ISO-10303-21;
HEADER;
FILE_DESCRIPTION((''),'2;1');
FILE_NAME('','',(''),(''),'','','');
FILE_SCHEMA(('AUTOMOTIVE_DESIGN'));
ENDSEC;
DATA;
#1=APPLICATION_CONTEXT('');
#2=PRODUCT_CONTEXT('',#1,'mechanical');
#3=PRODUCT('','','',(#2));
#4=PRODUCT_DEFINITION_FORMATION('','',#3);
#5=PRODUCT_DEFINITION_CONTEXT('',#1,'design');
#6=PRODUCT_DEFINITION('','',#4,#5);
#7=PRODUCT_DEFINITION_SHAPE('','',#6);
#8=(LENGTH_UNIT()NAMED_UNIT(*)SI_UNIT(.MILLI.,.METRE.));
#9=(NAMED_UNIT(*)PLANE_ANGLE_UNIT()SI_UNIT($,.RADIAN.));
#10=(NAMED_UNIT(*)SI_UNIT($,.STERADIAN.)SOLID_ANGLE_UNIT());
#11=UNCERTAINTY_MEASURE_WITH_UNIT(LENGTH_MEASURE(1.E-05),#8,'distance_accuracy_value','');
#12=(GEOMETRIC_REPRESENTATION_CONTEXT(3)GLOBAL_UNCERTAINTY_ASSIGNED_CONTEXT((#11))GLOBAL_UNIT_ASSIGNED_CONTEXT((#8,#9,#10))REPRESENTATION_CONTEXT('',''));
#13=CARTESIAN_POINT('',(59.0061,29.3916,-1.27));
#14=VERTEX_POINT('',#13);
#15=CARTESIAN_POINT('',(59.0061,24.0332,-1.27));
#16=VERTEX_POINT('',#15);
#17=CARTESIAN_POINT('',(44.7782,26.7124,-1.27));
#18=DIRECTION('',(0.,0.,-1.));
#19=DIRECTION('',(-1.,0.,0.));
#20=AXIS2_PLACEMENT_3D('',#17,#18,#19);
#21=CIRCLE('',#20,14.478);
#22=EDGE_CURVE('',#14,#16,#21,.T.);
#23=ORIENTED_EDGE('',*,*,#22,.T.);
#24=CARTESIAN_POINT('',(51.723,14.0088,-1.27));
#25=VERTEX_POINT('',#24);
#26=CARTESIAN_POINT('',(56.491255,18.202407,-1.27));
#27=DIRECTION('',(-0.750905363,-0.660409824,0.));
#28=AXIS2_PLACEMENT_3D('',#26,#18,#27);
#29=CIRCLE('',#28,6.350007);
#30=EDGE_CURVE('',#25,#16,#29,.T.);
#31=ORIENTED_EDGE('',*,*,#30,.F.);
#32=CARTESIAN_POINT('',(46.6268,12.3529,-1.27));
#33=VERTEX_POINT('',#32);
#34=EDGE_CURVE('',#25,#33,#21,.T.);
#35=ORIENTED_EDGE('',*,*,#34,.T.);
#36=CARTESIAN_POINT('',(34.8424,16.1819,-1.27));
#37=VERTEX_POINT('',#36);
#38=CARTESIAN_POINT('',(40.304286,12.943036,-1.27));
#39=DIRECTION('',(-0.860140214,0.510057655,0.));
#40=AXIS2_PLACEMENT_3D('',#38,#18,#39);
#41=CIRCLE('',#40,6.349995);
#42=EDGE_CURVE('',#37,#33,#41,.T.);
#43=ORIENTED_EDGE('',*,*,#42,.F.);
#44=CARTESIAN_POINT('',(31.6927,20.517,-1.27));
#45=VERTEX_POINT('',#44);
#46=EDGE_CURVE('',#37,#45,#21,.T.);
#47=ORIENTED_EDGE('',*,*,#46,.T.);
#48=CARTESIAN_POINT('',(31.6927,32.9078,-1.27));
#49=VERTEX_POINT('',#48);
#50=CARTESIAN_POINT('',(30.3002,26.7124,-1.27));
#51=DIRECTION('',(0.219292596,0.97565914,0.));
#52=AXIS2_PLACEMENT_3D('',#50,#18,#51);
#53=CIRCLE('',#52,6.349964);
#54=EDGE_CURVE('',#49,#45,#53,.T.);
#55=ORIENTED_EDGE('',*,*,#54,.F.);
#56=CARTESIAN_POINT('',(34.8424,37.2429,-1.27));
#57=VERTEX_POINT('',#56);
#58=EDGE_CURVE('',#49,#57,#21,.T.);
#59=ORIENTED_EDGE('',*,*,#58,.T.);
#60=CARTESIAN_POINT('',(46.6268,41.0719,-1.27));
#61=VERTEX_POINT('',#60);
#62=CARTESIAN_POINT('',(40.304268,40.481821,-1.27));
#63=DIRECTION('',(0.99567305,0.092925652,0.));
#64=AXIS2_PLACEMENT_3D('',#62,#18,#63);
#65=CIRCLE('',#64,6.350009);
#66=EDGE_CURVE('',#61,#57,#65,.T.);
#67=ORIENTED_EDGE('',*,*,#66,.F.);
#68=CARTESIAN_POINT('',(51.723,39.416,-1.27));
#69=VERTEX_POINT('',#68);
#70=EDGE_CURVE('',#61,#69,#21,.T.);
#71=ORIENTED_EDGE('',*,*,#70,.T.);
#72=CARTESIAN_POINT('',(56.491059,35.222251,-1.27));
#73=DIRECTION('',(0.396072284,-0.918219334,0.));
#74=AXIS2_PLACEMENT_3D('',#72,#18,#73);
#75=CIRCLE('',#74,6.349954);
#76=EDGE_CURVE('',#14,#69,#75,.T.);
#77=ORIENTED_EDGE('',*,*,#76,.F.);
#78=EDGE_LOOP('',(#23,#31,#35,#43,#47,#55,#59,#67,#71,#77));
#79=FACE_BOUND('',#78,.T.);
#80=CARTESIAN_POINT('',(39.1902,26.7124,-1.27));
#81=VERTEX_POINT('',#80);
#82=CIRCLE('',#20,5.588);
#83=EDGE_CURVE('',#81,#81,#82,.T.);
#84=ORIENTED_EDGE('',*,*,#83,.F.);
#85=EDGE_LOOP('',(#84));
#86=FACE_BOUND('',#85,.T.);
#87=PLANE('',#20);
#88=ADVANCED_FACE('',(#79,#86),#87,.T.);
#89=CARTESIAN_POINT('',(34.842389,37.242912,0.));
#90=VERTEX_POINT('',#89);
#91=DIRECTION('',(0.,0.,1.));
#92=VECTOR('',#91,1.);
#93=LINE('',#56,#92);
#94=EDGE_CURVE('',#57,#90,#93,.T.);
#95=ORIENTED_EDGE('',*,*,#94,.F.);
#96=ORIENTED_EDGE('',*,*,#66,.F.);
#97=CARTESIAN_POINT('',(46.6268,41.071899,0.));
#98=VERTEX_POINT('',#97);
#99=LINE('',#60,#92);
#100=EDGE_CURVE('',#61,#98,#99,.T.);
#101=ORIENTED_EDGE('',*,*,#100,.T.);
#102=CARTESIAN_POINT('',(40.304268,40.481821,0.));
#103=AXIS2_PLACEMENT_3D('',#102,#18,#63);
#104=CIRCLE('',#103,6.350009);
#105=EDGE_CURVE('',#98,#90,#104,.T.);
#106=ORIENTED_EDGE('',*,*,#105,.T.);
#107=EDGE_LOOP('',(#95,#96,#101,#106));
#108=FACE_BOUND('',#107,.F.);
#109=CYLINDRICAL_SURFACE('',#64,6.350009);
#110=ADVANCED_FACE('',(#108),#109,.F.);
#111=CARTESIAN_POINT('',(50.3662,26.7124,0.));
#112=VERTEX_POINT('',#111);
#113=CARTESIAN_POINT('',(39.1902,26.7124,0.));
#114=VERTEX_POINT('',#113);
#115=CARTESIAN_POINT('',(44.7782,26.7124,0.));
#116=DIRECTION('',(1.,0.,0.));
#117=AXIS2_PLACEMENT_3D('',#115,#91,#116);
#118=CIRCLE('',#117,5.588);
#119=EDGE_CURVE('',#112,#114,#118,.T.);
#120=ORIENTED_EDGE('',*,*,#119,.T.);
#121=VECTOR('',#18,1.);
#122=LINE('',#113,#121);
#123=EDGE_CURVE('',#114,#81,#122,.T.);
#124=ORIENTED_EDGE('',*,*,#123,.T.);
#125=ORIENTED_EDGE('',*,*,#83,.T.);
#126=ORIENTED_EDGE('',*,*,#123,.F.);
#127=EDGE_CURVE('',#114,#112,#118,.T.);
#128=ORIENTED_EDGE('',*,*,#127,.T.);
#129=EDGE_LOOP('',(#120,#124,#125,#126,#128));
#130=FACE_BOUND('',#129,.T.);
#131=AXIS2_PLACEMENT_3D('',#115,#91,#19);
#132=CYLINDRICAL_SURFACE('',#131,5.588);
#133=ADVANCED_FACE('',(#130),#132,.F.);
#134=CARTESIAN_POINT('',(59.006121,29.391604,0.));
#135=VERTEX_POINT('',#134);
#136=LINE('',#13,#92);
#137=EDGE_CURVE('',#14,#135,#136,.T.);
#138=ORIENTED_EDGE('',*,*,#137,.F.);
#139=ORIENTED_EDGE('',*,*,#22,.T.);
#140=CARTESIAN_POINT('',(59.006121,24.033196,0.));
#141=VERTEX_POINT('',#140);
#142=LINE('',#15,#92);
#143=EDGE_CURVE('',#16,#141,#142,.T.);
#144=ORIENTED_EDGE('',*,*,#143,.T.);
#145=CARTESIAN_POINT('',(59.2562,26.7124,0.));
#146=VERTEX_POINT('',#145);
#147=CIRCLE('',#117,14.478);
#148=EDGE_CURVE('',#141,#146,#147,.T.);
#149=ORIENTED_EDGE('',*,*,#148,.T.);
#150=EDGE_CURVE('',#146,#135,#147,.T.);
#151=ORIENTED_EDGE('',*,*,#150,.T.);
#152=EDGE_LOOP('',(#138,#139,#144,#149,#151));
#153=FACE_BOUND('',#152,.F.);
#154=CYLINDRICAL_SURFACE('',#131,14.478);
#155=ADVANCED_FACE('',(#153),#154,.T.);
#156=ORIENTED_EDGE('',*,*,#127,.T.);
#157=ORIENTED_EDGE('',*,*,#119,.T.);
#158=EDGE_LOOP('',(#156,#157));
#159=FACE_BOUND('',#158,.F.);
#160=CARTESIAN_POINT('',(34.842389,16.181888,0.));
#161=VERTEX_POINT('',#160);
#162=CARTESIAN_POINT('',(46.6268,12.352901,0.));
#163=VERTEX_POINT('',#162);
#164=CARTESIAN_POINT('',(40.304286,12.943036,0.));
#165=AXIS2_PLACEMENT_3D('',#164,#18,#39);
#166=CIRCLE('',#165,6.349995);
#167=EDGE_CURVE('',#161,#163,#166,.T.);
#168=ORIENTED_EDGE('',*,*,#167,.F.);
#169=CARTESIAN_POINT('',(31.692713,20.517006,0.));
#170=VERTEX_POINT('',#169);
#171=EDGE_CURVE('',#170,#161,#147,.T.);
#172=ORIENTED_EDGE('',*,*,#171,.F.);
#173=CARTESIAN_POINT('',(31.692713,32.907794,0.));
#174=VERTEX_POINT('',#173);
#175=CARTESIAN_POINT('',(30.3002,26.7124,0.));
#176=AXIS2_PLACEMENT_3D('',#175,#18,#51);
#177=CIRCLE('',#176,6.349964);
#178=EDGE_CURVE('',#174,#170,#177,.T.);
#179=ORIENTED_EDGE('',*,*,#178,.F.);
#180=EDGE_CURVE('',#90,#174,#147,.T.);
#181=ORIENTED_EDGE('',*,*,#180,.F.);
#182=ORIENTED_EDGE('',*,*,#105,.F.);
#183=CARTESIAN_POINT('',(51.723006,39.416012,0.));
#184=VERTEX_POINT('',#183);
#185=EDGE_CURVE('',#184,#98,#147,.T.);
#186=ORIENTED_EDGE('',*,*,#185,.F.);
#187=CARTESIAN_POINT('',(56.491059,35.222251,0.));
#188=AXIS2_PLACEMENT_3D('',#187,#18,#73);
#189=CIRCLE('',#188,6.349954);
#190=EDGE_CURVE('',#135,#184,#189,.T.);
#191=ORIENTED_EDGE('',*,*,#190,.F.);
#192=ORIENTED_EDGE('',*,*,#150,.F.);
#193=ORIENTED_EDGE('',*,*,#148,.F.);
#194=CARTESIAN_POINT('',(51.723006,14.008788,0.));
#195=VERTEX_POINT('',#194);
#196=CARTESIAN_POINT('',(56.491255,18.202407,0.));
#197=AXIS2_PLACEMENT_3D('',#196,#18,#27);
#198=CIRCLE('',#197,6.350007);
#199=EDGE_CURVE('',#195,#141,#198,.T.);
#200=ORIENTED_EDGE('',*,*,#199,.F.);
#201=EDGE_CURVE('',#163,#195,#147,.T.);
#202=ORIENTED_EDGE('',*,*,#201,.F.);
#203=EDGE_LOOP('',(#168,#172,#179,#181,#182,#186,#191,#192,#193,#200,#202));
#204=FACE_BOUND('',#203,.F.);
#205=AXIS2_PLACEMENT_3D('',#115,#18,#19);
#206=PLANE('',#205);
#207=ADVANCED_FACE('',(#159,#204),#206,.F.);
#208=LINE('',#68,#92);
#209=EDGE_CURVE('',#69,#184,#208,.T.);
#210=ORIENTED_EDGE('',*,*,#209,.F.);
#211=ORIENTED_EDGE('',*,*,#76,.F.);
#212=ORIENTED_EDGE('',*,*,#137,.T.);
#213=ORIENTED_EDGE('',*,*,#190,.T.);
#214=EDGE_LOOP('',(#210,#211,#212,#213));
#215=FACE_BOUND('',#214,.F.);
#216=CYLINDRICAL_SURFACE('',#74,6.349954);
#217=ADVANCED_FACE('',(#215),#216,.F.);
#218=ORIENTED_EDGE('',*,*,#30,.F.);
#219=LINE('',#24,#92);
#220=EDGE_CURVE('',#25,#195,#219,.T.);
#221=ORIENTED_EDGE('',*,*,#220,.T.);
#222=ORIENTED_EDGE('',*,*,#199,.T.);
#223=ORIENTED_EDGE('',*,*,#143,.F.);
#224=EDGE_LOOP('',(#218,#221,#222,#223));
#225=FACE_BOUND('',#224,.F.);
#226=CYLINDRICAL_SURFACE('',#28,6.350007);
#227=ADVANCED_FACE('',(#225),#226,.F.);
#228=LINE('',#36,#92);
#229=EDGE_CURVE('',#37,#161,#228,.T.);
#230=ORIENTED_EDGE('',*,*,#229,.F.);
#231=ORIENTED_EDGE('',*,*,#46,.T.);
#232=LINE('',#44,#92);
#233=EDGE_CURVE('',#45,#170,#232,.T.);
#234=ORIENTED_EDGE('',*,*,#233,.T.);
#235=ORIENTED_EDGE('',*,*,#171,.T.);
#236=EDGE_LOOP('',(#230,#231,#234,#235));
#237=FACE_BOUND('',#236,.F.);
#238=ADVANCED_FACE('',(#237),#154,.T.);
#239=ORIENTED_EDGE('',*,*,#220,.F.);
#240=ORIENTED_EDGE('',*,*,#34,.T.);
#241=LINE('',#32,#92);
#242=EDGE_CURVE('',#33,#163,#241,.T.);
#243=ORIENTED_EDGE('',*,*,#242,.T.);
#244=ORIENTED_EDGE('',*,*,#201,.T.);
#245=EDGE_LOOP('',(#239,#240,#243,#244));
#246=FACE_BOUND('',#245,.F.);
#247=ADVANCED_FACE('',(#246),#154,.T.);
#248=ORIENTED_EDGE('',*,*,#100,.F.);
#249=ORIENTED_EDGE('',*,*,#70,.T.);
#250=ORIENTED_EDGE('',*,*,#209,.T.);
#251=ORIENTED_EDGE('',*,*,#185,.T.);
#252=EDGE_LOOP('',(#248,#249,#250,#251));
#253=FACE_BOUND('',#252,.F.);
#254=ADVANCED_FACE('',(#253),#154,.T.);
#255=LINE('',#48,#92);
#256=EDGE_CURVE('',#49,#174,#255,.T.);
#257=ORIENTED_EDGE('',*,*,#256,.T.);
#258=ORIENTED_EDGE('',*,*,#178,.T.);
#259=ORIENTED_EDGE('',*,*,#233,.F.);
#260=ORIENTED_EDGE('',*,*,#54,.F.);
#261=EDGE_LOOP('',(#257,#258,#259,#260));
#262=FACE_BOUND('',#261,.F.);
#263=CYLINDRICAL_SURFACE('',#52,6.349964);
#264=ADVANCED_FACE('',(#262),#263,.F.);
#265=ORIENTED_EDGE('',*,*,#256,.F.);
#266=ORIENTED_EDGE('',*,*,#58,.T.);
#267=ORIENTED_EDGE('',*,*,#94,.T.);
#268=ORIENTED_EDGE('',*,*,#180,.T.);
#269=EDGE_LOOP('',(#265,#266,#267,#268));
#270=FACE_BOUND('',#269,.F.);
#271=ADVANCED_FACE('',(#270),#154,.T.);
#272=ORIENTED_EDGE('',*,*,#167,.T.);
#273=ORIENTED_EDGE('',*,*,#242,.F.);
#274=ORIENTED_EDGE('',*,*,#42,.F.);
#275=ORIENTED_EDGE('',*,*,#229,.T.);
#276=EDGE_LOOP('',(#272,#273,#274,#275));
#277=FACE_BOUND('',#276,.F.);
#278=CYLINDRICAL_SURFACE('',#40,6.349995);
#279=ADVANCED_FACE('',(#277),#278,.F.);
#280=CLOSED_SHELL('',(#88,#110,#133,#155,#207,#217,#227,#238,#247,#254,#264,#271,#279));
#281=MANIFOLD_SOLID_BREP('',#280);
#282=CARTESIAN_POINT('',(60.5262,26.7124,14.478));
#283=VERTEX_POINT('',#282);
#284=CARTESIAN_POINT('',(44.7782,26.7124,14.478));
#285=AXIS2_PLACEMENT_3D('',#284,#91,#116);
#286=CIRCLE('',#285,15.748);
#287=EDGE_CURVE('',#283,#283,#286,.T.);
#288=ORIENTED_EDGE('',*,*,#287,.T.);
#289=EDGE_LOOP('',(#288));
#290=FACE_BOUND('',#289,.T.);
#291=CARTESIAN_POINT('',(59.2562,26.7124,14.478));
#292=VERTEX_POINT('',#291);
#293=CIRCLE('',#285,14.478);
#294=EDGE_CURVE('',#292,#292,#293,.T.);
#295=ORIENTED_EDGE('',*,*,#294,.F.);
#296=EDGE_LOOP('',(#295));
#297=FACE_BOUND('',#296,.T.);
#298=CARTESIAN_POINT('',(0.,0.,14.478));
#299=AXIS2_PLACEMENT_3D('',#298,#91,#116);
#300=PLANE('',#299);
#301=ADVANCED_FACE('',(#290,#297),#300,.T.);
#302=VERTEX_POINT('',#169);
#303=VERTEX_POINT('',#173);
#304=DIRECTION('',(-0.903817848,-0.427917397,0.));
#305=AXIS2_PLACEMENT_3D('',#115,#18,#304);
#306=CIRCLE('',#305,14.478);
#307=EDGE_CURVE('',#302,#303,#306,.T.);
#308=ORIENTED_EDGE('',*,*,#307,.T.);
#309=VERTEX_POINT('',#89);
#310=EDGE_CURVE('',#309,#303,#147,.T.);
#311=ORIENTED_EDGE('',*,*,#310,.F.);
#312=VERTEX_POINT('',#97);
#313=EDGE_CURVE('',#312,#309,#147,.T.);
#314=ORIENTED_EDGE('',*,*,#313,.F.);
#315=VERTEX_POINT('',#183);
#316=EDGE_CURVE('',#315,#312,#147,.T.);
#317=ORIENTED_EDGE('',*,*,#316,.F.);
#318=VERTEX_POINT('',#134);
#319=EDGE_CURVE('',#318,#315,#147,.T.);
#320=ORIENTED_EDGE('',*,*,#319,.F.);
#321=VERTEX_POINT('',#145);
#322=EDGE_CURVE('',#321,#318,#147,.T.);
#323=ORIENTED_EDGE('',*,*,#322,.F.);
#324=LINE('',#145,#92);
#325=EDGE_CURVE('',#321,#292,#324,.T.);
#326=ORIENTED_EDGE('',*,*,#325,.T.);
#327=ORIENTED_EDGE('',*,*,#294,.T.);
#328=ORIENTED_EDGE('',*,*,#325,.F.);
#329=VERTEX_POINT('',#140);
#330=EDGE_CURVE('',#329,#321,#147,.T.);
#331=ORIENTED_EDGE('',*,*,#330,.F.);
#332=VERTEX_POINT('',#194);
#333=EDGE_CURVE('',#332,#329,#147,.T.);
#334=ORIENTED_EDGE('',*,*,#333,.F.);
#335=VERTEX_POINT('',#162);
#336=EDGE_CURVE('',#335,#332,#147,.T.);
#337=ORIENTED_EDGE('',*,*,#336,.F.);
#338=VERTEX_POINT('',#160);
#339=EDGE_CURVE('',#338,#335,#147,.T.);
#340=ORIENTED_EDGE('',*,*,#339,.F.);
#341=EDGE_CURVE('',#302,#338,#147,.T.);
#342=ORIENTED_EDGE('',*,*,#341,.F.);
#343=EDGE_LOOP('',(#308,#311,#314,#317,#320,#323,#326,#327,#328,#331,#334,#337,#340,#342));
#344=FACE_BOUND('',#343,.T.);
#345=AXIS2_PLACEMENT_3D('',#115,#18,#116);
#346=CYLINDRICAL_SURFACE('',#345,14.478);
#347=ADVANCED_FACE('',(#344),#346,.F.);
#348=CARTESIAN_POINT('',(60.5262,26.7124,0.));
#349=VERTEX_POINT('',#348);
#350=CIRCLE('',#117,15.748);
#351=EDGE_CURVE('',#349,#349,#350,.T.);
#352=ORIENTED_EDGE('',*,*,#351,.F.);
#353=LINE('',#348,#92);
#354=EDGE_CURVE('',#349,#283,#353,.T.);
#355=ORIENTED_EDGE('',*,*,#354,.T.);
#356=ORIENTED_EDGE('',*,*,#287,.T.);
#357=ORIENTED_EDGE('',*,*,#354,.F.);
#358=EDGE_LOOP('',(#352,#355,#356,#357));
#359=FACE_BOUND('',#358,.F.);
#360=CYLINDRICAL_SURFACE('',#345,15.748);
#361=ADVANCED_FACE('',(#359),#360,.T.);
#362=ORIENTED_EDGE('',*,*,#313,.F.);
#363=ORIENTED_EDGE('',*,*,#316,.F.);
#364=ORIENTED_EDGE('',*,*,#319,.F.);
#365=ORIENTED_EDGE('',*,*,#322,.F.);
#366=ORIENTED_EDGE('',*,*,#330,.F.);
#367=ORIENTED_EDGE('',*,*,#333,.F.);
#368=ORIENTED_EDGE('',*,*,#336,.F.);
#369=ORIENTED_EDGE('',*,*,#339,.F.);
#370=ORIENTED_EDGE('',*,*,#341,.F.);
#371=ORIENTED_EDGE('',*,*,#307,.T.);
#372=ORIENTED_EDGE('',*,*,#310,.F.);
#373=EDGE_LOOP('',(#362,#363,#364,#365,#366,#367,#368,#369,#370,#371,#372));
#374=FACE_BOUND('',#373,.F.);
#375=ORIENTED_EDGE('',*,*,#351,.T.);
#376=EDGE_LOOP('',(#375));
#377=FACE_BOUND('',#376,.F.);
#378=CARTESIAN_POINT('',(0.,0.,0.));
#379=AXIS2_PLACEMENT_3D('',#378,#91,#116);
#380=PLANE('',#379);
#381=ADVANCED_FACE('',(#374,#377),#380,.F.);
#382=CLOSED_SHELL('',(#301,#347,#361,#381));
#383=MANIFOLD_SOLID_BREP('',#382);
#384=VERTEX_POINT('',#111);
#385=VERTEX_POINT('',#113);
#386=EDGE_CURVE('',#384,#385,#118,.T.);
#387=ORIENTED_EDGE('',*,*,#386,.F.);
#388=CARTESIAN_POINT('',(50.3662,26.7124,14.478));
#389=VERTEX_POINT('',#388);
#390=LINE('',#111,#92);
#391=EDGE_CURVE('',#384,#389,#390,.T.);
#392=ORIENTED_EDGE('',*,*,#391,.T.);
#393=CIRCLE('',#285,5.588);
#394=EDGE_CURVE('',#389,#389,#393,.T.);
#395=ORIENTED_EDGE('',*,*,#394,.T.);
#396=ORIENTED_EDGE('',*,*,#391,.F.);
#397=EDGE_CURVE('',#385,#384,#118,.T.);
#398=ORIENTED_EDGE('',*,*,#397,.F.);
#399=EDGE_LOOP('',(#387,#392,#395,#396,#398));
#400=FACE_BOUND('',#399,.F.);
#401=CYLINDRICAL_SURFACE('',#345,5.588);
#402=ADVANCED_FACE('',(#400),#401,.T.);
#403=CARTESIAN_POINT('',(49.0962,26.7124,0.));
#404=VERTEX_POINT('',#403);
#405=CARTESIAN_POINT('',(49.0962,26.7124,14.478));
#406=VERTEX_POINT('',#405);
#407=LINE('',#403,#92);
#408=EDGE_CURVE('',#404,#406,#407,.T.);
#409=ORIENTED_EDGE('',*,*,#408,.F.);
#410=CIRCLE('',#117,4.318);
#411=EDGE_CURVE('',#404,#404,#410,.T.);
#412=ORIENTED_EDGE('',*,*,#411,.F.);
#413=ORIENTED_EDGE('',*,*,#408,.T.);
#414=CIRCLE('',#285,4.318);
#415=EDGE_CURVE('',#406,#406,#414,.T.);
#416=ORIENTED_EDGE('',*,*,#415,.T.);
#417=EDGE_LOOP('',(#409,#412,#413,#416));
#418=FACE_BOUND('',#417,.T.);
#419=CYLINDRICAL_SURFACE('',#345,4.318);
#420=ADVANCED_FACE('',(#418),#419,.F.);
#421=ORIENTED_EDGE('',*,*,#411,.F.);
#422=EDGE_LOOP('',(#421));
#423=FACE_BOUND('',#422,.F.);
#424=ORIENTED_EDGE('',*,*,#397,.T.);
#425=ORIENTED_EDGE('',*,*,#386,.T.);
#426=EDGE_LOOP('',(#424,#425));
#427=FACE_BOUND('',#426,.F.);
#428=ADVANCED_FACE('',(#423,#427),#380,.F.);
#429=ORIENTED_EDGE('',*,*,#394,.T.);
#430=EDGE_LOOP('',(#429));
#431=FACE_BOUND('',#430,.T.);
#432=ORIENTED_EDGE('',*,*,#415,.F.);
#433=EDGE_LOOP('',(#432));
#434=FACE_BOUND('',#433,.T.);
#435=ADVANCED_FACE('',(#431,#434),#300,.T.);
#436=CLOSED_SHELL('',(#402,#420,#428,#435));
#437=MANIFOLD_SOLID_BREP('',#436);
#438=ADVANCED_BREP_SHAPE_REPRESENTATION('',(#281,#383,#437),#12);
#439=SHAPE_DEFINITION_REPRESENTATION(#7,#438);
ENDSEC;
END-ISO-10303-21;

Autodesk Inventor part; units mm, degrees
ref_plane "YZ Plane" through (0, 0, 0) normal (1, 0, 0) x (0, 1, 0)
ref_plane "XZ Plane" through (0, 0, 0) normal (0, 1, 0) x (-1, 0, 0)
sketch "Sketch1" plane through (0, 0, 0) normal (0, 0, 1) x (1, 0, 0)
  circle A0 centre (44.7782, 26.7124) radius 15.748
  circle A1 centre (44.7782, 26.7124) radius 14.478
  circle A2 centre (44.7782, 26.7124) radius 5.588
  circle A3 centre (44.7782, 26.7124) radius 4.318
  point P0 (0, 0)
  dimension "d20" = 1.27
  dimension "d21" = 8.89
  dimension "d22" = 11.176
  dimension "d23" = 1.27
extrude "Extrusion1" add sketch "Sketch1" along normal blind 14.478
ref_plane "Work Plane1" through (44.7782, 26.7124, 0) normal (0, 0, -1) x (-1, 0, 0)
sketch "Sketch4" plane through (44.7782, 26.7124, 0) normal (0, 0, -1) x (-1, 0, 0)
  circle A0 centre (0, 0) radius 14.478 projected
  circle A1 centre (0, 0) radius 15.748 projected
  circle A2 centre (0, 0) radius 4.318 projected
  circle A3 centre (0, 0) radius 5.588 projected
  point P0 (44.7782, -26.7124)
extrude "Extrusion2" add sketch "Sketch4" along normal blind 1.27 contours A0
sketch "Sketch5" plane through (44.7782, 26.7124, -1.27) normal (0, 0, -1) x (-1, 0, 0)
  circle A0 centre (0, 0) radius 14.478 projected
  arc A1 (13.0855, 6.1954) -> (13.0855, -6.1954) centre (14.478, 0) ccw
  arc A2 (13.0855, 6.1954) -> (13.0855, -6.1954) centre (14.478, 0) ccw
  arc A3 (13.0855, -6.1954) -> (13.0855, 6.1954) centre (0, 0) ccw
  arc A4 (-1.8486, 14.3595) -> (9.9358, 10.5305) centre (4.4739, 13.7694) ccw
  arc A5 (9.9358, 10.5305) -> (-1.8486, 14.3595) centre (0, 0) ccw
  arc A6 (-14.2279, 2.6792) -> (-6.9448, 12.7036) centre (-11.7129, 8.51) ccw
  arc A7 (-6.9448, 12.7036) -> (-14.2279, 2.6792) centre (0, 0) ccw
  arc A8 (-6.9448, -12.7036) -> (-14.2279, -2.6792) centre (-11.7129, -8.51) ccw
  arc A9 (-14.2279, -2.6792) -> (-6.9448, -12.7036) centre (0, 0) ccw
  arc A10 (9.9358, -10.5305) -> (-1.8486, -14.3595) centre (4.4739, -13.7694) ccw
  arc A11 (-1.8486, -14.3595) -> (9.9358, -10.5305) centre (0, 0) ccw
  point P0 (44.7782, -26.7124)
  dimension "d16" = 360
  dimension "d24" = 6.35
extrude "Extrusion3" cut sketch "Sketch5" against normal through all contours A0 A1 | A4 A0 | A0 A10 | A6 A0 | A0 A8
properties part number "Wheety"
